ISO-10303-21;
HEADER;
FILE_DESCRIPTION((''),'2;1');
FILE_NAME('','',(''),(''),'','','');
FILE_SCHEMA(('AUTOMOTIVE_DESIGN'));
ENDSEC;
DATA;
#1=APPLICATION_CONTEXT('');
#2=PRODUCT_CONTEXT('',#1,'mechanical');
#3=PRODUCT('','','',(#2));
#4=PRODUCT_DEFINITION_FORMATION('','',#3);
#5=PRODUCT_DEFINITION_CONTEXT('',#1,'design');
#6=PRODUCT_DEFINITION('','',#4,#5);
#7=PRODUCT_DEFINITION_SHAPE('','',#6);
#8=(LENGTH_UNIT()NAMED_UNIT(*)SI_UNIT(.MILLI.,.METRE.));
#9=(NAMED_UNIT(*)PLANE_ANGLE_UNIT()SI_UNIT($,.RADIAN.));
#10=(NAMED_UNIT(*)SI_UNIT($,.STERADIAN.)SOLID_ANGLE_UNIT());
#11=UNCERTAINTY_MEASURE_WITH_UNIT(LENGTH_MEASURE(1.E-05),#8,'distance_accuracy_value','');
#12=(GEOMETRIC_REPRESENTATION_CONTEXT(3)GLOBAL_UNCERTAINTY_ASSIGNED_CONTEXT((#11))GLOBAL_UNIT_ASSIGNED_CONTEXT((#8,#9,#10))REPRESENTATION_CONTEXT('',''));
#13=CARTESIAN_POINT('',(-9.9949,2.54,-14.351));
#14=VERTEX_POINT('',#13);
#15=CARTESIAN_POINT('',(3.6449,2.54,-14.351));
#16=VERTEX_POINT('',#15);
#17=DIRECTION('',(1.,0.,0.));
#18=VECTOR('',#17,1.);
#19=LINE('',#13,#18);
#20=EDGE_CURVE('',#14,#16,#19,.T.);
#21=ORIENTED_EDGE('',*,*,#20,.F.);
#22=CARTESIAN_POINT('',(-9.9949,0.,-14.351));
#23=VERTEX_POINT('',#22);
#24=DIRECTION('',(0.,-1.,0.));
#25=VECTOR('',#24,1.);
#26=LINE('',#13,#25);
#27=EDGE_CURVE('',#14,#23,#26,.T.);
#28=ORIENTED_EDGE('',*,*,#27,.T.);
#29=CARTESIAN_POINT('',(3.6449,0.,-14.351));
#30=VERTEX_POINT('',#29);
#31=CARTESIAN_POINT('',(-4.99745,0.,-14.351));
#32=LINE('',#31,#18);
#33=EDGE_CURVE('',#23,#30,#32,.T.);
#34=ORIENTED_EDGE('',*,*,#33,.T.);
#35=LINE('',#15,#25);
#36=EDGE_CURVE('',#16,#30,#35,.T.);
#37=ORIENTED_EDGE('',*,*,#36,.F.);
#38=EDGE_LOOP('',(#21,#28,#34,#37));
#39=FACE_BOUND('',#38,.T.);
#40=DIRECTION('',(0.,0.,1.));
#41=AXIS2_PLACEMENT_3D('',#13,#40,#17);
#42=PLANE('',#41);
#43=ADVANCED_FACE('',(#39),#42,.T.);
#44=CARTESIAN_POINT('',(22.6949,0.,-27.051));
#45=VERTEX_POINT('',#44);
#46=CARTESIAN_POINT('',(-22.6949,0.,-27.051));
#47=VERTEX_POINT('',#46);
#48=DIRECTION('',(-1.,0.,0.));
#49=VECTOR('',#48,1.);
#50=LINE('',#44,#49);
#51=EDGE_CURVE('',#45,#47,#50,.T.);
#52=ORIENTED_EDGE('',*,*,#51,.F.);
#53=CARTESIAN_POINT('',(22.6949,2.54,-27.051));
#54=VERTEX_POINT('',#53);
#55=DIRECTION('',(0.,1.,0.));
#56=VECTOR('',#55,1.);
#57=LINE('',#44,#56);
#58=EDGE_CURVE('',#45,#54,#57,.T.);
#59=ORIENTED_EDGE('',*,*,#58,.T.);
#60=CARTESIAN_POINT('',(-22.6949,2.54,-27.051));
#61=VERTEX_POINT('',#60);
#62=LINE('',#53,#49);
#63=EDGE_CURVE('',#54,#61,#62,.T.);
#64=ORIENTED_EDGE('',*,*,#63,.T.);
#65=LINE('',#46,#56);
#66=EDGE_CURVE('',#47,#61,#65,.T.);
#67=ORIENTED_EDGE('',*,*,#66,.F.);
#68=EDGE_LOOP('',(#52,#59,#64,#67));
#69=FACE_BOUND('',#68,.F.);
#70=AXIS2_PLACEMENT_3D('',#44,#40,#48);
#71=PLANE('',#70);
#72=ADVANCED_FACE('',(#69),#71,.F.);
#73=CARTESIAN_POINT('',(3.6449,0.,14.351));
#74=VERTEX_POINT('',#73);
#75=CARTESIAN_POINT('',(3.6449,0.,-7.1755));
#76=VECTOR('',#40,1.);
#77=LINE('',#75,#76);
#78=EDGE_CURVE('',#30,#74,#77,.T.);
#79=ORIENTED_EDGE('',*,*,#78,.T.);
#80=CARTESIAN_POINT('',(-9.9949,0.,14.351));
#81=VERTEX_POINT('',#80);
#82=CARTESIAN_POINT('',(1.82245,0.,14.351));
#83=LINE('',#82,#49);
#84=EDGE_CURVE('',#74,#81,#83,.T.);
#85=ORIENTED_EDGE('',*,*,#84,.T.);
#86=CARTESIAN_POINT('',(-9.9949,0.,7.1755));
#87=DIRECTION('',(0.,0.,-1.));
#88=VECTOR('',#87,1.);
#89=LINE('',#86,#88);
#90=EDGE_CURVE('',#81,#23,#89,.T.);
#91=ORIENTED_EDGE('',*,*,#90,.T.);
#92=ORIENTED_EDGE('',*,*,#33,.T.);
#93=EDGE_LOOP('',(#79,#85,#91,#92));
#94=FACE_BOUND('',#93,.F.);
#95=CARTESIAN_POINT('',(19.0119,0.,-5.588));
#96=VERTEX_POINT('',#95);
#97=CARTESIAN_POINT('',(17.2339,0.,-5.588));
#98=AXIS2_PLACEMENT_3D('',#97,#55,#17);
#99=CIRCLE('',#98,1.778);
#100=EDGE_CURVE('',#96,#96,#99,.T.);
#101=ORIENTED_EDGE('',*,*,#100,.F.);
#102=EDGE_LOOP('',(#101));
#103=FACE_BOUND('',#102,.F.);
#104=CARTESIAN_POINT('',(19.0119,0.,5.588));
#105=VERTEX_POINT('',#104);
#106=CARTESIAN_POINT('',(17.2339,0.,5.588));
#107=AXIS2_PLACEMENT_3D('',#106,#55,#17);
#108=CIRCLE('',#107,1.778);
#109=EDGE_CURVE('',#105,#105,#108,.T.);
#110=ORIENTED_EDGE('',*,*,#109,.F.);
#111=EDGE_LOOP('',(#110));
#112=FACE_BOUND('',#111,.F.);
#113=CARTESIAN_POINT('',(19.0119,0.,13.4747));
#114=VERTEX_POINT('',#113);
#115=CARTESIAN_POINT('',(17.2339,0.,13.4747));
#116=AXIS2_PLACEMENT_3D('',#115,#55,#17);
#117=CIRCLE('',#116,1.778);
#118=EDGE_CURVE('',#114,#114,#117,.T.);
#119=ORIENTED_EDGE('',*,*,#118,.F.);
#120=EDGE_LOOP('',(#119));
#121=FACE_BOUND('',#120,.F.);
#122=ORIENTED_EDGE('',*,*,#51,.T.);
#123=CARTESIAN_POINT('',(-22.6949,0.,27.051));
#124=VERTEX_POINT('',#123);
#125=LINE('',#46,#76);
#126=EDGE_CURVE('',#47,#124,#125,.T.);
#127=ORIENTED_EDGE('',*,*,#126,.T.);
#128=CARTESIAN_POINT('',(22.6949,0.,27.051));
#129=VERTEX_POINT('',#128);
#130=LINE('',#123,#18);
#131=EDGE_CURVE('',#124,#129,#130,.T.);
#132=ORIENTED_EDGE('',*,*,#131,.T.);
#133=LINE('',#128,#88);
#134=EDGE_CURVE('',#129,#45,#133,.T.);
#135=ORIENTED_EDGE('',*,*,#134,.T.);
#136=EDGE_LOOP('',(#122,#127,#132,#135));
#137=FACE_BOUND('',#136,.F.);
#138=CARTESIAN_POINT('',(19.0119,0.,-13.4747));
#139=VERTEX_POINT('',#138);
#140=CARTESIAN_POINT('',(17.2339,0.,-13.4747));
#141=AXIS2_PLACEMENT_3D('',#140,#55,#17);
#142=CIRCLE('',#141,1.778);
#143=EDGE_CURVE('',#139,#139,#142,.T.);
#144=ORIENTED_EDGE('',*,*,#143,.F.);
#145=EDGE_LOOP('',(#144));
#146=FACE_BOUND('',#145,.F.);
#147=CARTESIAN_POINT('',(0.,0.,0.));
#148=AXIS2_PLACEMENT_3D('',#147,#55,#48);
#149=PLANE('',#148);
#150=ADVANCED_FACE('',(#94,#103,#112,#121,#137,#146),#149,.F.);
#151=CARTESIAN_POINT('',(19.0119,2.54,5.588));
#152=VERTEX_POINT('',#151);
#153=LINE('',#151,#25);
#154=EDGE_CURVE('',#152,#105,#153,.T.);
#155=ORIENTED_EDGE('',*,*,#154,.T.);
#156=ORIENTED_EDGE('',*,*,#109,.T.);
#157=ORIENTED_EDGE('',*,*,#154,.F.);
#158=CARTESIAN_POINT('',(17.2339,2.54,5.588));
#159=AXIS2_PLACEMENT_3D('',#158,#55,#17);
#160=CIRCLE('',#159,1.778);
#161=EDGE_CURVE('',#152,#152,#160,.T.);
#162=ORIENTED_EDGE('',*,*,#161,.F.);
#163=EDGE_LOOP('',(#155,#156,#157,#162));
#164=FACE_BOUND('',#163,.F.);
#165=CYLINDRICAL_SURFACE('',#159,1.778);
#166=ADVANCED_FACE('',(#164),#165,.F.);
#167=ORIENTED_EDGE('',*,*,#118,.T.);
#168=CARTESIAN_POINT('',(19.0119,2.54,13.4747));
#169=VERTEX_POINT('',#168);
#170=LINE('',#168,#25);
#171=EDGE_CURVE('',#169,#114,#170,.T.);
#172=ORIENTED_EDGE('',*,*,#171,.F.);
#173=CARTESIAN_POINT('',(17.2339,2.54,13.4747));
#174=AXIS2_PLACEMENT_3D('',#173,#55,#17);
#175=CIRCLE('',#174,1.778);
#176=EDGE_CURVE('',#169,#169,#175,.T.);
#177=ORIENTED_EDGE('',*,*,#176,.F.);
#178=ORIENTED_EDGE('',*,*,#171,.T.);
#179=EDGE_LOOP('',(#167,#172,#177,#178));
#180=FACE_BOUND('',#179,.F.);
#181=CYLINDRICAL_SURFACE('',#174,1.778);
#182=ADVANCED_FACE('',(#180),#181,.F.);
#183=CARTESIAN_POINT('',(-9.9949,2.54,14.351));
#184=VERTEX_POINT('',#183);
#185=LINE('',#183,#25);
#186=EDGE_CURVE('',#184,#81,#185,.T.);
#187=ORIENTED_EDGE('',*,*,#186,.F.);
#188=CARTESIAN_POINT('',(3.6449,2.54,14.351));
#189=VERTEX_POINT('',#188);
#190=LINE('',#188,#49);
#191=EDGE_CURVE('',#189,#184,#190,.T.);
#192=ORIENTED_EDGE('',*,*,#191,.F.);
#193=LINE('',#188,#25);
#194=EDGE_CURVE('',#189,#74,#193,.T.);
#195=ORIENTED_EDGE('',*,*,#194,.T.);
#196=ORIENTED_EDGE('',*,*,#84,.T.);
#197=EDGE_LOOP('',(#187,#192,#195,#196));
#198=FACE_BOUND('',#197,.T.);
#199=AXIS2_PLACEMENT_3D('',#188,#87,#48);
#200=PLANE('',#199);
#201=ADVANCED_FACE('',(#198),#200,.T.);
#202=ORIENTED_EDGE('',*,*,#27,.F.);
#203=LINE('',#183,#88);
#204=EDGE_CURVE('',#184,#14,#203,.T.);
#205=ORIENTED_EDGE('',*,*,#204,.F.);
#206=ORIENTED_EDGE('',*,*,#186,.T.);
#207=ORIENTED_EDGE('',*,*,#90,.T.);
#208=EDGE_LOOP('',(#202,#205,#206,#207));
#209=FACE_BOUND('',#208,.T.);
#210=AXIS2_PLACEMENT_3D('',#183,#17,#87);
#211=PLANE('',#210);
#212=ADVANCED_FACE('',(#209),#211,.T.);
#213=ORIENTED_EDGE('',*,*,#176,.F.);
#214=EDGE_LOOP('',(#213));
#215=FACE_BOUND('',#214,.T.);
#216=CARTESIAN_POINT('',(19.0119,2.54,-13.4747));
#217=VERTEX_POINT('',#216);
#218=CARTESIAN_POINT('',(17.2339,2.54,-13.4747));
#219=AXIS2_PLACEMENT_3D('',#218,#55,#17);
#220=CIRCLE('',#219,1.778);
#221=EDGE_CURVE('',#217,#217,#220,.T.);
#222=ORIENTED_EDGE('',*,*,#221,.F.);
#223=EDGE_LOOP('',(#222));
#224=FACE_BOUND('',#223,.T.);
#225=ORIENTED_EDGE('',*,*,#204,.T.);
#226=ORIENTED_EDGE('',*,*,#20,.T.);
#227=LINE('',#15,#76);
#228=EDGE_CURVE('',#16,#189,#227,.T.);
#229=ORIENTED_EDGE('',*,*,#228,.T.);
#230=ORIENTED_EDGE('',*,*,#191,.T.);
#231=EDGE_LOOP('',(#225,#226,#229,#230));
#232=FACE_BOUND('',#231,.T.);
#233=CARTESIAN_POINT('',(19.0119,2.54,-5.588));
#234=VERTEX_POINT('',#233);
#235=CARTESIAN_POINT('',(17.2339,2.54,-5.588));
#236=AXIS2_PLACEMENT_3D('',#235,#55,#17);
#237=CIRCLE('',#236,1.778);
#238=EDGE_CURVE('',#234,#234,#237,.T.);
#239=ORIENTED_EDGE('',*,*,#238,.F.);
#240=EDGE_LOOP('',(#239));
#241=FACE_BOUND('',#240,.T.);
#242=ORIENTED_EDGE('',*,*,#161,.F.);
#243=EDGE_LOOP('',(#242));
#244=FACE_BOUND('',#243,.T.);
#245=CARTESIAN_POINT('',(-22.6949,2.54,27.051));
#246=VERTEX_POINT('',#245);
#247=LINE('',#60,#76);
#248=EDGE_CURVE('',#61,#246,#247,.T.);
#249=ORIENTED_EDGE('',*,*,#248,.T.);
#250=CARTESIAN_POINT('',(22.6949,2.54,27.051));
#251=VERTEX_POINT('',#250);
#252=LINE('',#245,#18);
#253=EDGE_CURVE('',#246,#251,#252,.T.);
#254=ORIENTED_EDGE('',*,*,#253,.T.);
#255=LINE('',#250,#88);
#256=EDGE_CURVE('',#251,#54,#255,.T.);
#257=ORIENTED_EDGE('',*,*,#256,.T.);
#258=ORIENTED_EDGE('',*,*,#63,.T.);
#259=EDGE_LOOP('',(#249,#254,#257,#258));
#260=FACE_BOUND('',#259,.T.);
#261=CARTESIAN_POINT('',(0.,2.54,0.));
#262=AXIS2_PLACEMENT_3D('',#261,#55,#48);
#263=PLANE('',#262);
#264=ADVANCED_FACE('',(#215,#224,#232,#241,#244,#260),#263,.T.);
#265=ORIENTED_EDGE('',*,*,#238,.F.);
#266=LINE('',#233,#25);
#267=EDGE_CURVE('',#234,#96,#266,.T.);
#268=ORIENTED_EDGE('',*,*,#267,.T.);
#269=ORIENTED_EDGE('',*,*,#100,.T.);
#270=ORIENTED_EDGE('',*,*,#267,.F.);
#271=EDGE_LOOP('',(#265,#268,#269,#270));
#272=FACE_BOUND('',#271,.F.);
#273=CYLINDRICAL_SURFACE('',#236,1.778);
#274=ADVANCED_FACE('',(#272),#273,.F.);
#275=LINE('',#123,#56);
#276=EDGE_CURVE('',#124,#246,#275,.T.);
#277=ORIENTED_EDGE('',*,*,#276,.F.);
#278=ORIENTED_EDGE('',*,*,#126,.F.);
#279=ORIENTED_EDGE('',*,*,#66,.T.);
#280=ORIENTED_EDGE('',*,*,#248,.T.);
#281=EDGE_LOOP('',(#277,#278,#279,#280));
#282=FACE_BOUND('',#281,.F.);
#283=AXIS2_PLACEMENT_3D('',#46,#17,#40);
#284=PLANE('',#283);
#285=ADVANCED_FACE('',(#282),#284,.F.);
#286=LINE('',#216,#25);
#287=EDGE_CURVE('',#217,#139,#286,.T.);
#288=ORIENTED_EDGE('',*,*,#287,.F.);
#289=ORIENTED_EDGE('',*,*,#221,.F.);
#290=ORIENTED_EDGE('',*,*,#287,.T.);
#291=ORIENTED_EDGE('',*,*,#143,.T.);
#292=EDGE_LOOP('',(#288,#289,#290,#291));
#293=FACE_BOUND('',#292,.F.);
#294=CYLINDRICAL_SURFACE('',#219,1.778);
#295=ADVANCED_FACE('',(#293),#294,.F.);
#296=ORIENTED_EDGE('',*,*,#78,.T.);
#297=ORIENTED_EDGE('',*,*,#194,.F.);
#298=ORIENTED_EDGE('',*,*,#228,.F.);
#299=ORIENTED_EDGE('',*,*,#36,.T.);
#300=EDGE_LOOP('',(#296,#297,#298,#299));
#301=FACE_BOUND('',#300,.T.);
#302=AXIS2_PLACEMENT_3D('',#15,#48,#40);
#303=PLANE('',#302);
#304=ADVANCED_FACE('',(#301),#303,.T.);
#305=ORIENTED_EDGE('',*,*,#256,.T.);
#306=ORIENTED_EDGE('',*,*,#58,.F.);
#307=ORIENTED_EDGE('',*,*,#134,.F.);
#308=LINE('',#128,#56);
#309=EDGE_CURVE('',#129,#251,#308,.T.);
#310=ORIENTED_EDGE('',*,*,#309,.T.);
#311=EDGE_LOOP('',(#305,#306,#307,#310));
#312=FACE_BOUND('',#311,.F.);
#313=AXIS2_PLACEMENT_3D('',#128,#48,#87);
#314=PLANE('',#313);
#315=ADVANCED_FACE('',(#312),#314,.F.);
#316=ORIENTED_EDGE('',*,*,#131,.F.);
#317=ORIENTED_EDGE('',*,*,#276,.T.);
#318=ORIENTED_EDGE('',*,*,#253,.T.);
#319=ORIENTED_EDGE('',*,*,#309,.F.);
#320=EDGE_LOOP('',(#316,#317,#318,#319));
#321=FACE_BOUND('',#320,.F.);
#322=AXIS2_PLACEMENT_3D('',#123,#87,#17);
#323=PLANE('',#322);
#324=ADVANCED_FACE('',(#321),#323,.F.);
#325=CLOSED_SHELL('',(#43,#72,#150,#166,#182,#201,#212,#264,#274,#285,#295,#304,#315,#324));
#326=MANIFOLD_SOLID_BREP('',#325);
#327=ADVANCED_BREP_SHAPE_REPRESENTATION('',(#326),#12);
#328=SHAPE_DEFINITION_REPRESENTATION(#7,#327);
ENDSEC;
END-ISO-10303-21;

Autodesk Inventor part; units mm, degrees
ref_plane "YZ Plane" through (0, 0, 0) normal (1, 0, 0) x (0, 1, 0)
ref_plane "XZ Plane" through (0, 0, 0) normal (0, 1, 0) x (-1, 0, 0)
ref_plane "XY Plane" through (0, 0, 0) normal (0, 0, 1) x (1, 0, 0)
sketch "Sketch1" plane through (0, 0, 0) normal (0, 1, 0) x (-1, 0, 0)
  line L0 (-22.6949, -27.051) -> (22.6949, -27.051)
  line L1 (22.6949, -27.051) -> (22.6949, 27.051)
  line L2 (22.6949, 27.051) -> (-22.6949, 27.051)
  line L3 (-22.6949, 27.051) -> (-22.6949, -27.051)
  line L4 (-22.6949, -27.051) -> (22.6949, 27.051) construction
  line L5 (22.6949, -27.051) -> (-22.6949, 27.051) construction
  point P0 (0, 0)
  dimension "d0" = 45.3898
  dimension "d1" = 54.102
extrude "Extrusion1" add sketch "Sketch1" along normal blind 2.54
sketch "Sketch2" plane through (0, 2.54, 0) normal (0, 1, 0) x (1, 0, 0)
  line L0 (-9.9949, 14.351) -> (3.6449, 14.351)
  line L1 (3.6449, 14.351) -> (3.6449, -14.351)
  line L2 (3.6449, -14.351) -> (-9.9949, -14.351)
  line L3 (-9.9949, -14.351) -> (-9.9949, 14.351)
  line L4 (22.6949, -27.051) -> (22.6949, 27.051) projected
  line L5 (22.6949, 27.051) -> (-22.6949, 27.051) projected
  point P0 (0, 0)
  dimension "d4" = 13.6398
  dimension "d5" = 28.702
  dimension "d6" = 19.05
  dimension "d7" = 12.7
extrude "Extrusion2" cut sketch "Sketch2" against normal through all
sketch "Sketch3" plane through (0, 2.54, 0) normal (0, 1, 0) x (1, 0, 0)
  circle A0 centre (17.2339, -5.588) radius 1.778
  line L0 (22.6949, -27.051) -> (22.6949, 27.051) projected
  circle A1 centre (17.2339, 5.588) radius 1.778
  circle A2 centre (17.2339, 13.4747) radius 1.778
  circle A3 centre (17.2339, -13.4747) radius 1.778
  line L1 (-22.6949, -27.051) -> (22.6949, -27.051) projected
  line L2 (22.6949, 27.051) -> (-22.6949, 27.051) projected
  point P0 (0, 0)
  dimension "d10" = 3.556
  dimension "d12" = 3.556
  dimension "d13" = 14.732
  dimension "d14" = 7.62
  dimension "d15" = 3.556
  dimension "d16" = 3.556
  dimension "d17" = 4.3307
  dimension "d18" = 4.3307
  dimension "d19" = 26.9494
  dimension "d20" = 13.5763
  dimension "d21" = 13.5763
extrude "Extrusion3" cut sketch "Sketch3" against normal through all
properties part number "switch holder"
